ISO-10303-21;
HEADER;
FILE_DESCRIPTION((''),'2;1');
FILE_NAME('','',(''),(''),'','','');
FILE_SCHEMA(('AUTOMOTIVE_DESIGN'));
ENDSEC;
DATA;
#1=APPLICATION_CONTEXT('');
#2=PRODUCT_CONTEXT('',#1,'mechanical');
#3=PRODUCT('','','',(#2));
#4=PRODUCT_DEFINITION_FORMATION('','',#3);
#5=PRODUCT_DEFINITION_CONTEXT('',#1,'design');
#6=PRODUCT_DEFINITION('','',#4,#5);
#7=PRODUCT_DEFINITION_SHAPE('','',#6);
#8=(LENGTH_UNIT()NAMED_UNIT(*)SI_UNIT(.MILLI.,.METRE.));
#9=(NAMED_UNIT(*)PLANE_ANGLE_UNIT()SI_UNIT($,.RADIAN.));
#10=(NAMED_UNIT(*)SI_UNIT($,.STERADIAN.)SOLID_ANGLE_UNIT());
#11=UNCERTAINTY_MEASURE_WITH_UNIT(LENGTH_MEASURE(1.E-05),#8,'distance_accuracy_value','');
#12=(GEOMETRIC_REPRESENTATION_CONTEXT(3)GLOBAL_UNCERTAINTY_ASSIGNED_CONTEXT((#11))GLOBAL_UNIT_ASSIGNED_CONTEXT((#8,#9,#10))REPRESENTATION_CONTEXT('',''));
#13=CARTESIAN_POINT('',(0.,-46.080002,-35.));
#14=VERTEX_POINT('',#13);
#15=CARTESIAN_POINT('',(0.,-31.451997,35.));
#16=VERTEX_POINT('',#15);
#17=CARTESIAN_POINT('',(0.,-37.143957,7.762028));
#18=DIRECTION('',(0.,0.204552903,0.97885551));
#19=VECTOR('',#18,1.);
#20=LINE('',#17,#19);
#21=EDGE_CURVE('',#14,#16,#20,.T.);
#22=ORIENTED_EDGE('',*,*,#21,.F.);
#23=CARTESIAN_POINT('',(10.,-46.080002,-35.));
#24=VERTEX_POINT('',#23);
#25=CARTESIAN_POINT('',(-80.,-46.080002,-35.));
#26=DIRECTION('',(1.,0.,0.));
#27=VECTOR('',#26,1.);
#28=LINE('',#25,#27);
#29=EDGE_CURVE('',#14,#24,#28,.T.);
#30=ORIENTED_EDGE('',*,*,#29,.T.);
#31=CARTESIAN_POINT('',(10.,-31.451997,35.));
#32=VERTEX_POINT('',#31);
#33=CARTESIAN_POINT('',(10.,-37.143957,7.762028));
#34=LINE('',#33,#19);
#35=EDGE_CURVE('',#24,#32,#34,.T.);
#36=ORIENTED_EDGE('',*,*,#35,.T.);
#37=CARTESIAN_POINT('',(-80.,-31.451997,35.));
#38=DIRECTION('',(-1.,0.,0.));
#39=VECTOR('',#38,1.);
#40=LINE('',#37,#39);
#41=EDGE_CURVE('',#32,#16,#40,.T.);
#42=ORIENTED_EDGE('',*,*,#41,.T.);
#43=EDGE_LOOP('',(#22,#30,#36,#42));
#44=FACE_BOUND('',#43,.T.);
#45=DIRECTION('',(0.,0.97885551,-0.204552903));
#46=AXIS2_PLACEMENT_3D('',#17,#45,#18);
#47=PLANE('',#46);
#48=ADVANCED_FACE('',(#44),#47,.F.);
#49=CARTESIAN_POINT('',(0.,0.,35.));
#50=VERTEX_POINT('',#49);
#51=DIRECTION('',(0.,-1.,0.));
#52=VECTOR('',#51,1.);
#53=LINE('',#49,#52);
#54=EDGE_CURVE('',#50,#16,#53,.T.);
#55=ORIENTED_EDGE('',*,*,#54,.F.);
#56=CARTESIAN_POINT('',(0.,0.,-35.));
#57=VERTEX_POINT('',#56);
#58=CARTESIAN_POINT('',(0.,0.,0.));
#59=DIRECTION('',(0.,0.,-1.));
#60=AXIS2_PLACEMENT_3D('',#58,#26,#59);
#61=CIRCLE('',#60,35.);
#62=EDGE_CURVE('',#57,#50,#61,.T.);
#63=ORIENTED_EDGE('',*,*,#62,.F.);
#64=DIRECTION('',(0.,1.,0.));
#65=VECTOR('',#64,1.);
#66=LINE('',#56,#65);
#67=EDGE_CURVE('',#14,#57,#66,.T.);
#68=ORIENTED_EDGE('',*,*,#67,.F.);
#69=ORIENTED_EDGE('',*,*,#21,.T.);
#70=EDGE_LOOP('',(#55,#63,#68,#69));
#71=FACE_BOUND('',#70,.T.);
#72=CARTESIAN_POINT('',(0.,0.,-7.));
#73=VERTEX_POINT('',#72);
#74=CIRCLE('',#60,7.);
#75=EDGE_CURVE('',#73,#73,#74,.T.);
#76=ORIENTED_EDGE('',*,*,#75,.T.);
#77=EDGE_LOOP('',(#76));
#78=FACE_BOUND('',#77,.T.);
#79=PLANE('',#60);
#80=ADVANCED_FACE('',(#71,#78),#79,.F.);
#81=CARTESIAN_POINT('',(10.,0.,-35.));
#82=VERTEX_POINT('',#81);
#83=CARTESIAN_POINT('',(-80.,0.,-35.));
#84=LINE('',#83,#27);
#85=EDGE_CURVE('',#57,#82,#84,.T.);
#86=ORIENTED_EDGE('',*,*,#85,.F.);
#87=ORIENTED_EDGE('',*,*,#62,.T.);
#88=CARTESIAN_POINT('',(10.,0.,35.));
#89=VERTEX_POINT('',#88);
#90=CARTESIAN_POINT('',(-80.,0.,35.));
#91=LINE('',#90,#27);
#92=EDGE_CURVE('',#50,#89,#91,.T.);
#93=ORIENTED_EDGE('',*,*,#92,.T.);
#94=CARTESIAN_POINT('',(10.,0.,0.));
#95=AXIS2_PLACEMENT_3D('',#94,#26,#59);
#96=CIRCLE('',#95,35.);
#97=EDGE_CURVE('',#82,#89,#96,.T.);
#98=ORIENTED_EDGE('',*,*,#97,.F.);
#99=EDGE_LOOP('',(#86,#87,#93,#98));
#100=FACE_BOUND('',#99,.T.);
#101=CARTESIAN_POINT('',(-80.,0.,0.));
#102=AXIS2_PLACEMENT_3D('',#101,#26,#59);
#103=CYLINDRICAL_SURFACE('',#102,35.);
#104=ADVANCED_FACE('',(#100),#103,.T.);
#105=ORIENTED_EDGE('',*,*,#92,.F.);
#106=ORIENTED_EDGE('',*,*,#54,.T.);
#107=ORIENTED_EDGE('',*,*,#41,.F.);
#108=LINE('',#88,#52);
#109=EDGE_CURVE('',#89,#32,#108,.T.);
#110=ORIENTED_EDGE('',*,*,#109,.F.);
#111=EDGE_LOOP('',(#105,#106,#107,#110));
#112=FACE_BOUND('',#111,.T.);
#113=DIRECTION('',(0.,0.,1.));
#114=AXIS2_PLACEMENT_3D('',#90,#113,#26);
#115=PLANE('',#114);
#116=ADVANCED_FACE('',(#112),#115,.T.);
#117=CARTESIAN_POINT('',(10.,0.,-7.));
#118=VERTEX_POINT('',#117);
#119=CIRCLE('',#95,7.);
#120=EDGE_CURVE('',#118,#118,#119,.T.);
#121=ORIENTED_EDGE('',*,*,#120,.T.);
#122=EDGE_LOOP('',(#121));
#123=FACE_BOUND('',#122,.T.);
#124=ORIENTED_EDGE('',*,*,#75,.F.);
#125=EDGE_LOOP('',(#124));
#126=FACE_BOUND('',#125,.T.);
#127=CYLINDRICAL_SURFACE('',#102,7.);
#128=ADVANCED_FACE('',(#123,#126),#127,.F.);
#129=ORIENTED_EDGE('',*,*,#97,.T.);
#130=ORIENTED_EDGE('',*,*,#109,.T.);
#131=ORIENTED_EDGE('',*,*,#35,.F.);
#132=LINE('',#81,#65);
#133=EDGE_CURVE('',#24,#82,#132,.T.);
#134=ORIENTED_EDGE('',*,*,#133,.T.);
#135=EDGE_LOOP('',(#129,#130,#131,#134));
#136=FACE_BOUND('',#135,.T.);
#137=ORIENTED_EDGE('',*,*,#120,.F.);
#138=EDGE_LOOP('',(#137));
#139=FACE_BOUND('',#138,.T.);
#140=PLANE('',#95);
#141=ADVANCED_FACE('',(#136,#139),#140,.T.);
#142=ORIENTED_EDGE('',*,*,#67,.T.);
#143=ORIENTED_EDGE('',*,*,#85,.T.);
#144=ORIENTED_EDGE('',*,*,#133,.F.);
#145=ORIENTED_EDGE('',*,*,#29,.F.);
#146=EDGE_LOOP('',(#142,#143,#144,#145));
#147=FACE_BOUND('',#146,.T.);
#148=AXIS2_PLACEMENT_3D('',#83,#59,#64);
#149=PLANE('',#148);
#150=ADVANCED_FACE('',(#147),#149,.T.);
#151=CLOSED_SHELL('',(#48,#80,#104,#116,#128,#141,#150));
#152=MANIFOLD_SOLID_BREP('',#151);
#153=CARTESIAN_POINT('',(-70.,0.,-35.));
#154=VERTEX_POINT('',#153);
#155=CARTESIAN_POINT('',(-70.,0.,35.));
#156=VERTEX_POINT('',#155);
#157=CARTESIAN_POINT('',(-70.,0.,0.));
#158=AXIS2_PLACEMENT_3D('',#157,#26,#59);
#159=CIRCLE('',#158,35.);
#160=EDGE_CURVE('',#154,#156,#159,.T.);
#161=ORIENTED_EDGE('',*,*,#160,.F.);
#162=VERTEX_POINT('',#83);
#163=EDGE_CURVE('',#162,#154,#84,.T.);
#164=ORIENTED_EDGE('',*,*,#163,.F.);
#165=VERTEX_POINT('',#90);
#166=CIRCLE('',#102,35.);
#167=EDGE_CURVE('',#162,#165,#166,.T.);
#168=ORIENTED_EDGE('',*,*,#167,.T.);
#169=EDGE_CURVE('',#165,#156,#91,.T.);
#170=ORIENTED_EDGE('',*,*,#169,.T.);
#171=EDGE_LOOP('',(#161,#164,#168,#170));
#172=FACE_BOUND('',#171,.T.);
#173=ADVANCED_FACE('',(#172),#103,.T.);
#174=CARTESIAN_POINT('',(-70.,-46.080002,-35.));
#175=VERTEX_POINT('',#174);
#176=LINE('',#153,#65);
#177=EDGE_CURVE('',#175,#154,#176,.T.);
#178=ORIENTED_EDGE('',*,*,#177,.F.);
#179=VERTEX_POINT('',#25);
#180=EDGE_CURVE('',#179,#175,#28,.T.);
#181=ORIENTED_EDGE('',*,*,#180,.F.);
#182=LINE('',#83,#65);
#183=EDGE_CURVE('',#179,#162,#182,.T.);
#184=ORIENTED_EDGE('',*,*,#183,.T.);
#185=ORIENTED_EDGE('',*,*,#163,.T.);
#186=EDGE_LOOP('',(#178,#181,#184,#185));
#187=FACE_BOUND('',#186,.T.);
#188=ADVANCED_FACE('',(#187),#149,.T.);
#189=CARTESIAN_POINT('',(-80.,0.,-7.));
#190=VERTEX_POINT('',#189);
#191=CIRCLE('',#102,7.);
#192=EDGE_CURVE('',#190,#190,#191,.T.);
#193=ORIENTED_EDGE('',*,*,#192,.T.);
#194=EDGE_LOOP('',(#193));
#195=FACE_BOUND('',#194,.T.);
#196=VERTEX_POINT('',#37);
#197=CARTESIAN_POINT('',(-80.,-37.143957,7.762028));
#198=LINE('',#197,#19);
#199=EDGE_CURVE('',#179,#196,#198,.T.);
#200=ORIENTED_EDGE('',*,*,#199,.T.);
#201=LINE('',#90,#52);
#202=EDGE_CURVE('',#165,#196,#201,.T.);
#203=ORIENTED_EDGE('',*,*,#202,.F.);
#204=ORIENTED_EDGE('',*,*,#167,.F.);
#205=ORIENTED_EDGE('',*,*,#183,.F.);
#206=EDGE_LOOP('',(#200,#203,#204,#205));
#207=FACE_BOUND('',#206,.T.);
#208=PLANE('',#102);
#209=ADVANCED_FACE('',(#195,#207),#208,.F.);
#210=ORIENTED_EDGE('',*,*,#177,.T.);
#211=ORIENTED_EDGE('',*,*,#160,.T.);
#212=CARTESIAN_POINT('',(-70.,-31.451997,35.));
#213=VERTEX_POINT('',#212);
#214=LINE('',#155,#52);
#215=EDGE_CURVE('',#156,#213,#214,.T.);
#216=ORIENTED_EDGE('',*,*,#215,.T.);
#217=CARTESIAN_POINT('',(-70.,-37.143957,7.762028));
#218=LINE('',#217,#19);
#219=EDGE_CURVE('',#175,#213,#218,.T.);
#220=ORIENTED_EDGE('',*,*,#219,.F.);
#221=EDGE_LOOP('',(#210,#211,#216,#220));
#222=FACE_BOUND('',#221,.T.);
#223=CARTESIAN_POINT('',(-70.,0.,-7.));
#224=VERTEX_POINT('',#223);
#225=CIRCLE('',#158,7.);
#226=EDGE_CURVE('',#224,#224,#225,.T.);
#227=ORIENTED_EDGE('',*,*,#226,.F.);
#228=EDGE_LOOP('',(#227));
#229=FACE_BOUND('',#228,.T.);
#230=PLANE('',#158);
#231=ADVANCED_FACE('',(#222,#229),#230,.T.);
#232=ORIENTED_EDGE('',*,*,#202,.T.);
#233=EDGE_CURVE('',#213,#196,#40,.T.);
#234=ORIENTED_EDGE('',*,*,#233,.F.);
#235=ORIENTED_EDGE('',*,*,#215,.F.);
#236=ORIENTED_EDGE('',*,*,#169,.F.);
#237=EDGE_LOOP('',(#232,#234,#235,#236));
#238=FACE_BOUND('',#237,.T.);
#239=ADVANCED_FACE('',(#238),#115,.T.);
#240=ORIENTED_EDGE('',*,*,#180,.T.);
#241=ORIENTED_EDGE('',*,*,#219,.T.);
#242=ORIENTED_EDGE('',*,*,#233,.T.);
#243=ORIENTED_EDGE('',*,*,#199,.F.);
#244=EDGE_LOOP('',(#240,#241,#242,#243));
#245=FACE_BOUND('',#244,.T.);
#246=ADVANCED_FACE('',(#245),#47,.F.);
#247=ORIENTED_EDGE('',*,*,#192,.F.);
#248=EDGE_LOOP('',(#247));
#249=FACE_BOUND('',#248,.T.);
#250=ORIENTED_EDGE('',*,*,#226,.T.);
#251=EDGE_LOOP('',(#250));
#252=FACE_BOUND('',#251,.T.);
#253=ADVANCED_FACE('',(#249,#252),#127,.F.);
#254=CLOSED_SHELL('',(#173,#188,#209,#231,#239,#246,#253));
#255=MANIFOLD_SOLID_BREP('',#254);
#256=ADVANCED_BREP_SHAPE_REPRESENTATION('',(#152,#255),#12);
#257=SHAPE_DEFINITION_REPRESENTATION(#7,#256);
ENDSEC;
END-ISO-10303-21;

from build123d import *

# Parameters (mm, degrees)
EXTRUDE_1_DEPTH      = 10
EXTRUDE_1_DEPTH_BACK = 80
SKETCH_1_R           = 7
CUT_EXTRUDE_START    = -70
SKETCH_1_2_R         = 7
CUT_EXTRUDE_1_DEPTH  = 70
SKETCH_2_R           = 199.366256812
CUT_EXTRUDE_4_DEPTH  = 284.687476453


with BuildPart() as part:
    # 草图1 → 凸台-拉伸1 (new, two sides: drawn at the far end of the back side and taken through both)
    with BuildSketch(Plane(origin=(0, 0, 0), x_dir=(0, 0, -1), z_dir=(1, 0, 0)).offset(-EXTRUDE_1_DEPTH_BACK)):
        with BuildLine():
            Line((35, 0), (35, -100))
            Line((35, -100), (-35, -100))
            Line((-35, -100), (-35, 0))
            ThreePointArc((-35, 0), (0, 35), (35, 0))
        make_face()
        Circle(SKETCH_1_R, mode=Mode.SUBTRACT)
    extrude(amount=EXTRUDE_1_DEPTH + EXTRUDE_1_DEPTH_BACK)

    # 草图1<2> → 切除-拉伸1 (cut)
    with BuildSketch(Plane(origin=(0, 0, 0), x_dir=(0, 0, -1), z_dir=(1, 0, 0)).offset(CUT_EXTRUDE_START)):
        with BuildLine():
            Line((35, 0), (35, -100))
            Line((35, -100), (-35, -100))
            Line((-35, -100), (-35, 0))
            ThreePointArc((-35, 0), (0, 35), (35, 0))
        make_face()
        Circle(SKETCH_1_2_R, mode=Mode.SUBTRACT)
    extrude(amount=CUT_EXTRUDE_1_DEPTH, mode=Mode.SUBTRACT)


with BuildPart() as cut_extrude_1_piece_1:
    # of the separate pieces the step leaves, piece 1, a body of its own (cut_extrude_1_pieces)
    add(part.part.solids().sort_by_distance((0, 0, -35))[0])


with BuildPart() as cut_extrude_1_piece_2:
    # of the separate pieces the step leaves, piece 2, a body of its own (cut_extrude_1_pieces)
    add(part.part.solids().sort_by_distance((-80, 0, -35))[0])


with BuildPart() as cut_extrude_4_tool:
    # 草图2 → 切除-拉伸4 (new body)
    with BuildSketch(Plane(origin=(0, -37.143957238, 7.762028428), x_dir=(-1, 0, 0), z_dir=(0, 0.9788555101327263, -0.20455290338394244))):
        Circle(SKETCH_2_R)
    extrude(amount=-CUT_EXTRUDE_4_DEPTH)


with BuildPart() as cut_extrude_1_piece_1_1:
    add(cut_extrude_1_piece_1.part)

    # 切除-拉伸4: cut by cut_extrude_4_tool
    add(cut_extrude_4_tool.part, mode=Mode.SUBTRACT)


with BuildPart() as cut_extrude_1_piece_2_1:
    add(cut_extrude_1_piece_2.part)

    # 切除-拉伸4: cut by cut_extrude_4_tool
    add(cut_extrude_4_tool.part, mode=Mode.SUBTRACT)


solid = Compound([cut_extrude_1_piece_1_1.part, cut_extrude_1_piece_2_1.part])
